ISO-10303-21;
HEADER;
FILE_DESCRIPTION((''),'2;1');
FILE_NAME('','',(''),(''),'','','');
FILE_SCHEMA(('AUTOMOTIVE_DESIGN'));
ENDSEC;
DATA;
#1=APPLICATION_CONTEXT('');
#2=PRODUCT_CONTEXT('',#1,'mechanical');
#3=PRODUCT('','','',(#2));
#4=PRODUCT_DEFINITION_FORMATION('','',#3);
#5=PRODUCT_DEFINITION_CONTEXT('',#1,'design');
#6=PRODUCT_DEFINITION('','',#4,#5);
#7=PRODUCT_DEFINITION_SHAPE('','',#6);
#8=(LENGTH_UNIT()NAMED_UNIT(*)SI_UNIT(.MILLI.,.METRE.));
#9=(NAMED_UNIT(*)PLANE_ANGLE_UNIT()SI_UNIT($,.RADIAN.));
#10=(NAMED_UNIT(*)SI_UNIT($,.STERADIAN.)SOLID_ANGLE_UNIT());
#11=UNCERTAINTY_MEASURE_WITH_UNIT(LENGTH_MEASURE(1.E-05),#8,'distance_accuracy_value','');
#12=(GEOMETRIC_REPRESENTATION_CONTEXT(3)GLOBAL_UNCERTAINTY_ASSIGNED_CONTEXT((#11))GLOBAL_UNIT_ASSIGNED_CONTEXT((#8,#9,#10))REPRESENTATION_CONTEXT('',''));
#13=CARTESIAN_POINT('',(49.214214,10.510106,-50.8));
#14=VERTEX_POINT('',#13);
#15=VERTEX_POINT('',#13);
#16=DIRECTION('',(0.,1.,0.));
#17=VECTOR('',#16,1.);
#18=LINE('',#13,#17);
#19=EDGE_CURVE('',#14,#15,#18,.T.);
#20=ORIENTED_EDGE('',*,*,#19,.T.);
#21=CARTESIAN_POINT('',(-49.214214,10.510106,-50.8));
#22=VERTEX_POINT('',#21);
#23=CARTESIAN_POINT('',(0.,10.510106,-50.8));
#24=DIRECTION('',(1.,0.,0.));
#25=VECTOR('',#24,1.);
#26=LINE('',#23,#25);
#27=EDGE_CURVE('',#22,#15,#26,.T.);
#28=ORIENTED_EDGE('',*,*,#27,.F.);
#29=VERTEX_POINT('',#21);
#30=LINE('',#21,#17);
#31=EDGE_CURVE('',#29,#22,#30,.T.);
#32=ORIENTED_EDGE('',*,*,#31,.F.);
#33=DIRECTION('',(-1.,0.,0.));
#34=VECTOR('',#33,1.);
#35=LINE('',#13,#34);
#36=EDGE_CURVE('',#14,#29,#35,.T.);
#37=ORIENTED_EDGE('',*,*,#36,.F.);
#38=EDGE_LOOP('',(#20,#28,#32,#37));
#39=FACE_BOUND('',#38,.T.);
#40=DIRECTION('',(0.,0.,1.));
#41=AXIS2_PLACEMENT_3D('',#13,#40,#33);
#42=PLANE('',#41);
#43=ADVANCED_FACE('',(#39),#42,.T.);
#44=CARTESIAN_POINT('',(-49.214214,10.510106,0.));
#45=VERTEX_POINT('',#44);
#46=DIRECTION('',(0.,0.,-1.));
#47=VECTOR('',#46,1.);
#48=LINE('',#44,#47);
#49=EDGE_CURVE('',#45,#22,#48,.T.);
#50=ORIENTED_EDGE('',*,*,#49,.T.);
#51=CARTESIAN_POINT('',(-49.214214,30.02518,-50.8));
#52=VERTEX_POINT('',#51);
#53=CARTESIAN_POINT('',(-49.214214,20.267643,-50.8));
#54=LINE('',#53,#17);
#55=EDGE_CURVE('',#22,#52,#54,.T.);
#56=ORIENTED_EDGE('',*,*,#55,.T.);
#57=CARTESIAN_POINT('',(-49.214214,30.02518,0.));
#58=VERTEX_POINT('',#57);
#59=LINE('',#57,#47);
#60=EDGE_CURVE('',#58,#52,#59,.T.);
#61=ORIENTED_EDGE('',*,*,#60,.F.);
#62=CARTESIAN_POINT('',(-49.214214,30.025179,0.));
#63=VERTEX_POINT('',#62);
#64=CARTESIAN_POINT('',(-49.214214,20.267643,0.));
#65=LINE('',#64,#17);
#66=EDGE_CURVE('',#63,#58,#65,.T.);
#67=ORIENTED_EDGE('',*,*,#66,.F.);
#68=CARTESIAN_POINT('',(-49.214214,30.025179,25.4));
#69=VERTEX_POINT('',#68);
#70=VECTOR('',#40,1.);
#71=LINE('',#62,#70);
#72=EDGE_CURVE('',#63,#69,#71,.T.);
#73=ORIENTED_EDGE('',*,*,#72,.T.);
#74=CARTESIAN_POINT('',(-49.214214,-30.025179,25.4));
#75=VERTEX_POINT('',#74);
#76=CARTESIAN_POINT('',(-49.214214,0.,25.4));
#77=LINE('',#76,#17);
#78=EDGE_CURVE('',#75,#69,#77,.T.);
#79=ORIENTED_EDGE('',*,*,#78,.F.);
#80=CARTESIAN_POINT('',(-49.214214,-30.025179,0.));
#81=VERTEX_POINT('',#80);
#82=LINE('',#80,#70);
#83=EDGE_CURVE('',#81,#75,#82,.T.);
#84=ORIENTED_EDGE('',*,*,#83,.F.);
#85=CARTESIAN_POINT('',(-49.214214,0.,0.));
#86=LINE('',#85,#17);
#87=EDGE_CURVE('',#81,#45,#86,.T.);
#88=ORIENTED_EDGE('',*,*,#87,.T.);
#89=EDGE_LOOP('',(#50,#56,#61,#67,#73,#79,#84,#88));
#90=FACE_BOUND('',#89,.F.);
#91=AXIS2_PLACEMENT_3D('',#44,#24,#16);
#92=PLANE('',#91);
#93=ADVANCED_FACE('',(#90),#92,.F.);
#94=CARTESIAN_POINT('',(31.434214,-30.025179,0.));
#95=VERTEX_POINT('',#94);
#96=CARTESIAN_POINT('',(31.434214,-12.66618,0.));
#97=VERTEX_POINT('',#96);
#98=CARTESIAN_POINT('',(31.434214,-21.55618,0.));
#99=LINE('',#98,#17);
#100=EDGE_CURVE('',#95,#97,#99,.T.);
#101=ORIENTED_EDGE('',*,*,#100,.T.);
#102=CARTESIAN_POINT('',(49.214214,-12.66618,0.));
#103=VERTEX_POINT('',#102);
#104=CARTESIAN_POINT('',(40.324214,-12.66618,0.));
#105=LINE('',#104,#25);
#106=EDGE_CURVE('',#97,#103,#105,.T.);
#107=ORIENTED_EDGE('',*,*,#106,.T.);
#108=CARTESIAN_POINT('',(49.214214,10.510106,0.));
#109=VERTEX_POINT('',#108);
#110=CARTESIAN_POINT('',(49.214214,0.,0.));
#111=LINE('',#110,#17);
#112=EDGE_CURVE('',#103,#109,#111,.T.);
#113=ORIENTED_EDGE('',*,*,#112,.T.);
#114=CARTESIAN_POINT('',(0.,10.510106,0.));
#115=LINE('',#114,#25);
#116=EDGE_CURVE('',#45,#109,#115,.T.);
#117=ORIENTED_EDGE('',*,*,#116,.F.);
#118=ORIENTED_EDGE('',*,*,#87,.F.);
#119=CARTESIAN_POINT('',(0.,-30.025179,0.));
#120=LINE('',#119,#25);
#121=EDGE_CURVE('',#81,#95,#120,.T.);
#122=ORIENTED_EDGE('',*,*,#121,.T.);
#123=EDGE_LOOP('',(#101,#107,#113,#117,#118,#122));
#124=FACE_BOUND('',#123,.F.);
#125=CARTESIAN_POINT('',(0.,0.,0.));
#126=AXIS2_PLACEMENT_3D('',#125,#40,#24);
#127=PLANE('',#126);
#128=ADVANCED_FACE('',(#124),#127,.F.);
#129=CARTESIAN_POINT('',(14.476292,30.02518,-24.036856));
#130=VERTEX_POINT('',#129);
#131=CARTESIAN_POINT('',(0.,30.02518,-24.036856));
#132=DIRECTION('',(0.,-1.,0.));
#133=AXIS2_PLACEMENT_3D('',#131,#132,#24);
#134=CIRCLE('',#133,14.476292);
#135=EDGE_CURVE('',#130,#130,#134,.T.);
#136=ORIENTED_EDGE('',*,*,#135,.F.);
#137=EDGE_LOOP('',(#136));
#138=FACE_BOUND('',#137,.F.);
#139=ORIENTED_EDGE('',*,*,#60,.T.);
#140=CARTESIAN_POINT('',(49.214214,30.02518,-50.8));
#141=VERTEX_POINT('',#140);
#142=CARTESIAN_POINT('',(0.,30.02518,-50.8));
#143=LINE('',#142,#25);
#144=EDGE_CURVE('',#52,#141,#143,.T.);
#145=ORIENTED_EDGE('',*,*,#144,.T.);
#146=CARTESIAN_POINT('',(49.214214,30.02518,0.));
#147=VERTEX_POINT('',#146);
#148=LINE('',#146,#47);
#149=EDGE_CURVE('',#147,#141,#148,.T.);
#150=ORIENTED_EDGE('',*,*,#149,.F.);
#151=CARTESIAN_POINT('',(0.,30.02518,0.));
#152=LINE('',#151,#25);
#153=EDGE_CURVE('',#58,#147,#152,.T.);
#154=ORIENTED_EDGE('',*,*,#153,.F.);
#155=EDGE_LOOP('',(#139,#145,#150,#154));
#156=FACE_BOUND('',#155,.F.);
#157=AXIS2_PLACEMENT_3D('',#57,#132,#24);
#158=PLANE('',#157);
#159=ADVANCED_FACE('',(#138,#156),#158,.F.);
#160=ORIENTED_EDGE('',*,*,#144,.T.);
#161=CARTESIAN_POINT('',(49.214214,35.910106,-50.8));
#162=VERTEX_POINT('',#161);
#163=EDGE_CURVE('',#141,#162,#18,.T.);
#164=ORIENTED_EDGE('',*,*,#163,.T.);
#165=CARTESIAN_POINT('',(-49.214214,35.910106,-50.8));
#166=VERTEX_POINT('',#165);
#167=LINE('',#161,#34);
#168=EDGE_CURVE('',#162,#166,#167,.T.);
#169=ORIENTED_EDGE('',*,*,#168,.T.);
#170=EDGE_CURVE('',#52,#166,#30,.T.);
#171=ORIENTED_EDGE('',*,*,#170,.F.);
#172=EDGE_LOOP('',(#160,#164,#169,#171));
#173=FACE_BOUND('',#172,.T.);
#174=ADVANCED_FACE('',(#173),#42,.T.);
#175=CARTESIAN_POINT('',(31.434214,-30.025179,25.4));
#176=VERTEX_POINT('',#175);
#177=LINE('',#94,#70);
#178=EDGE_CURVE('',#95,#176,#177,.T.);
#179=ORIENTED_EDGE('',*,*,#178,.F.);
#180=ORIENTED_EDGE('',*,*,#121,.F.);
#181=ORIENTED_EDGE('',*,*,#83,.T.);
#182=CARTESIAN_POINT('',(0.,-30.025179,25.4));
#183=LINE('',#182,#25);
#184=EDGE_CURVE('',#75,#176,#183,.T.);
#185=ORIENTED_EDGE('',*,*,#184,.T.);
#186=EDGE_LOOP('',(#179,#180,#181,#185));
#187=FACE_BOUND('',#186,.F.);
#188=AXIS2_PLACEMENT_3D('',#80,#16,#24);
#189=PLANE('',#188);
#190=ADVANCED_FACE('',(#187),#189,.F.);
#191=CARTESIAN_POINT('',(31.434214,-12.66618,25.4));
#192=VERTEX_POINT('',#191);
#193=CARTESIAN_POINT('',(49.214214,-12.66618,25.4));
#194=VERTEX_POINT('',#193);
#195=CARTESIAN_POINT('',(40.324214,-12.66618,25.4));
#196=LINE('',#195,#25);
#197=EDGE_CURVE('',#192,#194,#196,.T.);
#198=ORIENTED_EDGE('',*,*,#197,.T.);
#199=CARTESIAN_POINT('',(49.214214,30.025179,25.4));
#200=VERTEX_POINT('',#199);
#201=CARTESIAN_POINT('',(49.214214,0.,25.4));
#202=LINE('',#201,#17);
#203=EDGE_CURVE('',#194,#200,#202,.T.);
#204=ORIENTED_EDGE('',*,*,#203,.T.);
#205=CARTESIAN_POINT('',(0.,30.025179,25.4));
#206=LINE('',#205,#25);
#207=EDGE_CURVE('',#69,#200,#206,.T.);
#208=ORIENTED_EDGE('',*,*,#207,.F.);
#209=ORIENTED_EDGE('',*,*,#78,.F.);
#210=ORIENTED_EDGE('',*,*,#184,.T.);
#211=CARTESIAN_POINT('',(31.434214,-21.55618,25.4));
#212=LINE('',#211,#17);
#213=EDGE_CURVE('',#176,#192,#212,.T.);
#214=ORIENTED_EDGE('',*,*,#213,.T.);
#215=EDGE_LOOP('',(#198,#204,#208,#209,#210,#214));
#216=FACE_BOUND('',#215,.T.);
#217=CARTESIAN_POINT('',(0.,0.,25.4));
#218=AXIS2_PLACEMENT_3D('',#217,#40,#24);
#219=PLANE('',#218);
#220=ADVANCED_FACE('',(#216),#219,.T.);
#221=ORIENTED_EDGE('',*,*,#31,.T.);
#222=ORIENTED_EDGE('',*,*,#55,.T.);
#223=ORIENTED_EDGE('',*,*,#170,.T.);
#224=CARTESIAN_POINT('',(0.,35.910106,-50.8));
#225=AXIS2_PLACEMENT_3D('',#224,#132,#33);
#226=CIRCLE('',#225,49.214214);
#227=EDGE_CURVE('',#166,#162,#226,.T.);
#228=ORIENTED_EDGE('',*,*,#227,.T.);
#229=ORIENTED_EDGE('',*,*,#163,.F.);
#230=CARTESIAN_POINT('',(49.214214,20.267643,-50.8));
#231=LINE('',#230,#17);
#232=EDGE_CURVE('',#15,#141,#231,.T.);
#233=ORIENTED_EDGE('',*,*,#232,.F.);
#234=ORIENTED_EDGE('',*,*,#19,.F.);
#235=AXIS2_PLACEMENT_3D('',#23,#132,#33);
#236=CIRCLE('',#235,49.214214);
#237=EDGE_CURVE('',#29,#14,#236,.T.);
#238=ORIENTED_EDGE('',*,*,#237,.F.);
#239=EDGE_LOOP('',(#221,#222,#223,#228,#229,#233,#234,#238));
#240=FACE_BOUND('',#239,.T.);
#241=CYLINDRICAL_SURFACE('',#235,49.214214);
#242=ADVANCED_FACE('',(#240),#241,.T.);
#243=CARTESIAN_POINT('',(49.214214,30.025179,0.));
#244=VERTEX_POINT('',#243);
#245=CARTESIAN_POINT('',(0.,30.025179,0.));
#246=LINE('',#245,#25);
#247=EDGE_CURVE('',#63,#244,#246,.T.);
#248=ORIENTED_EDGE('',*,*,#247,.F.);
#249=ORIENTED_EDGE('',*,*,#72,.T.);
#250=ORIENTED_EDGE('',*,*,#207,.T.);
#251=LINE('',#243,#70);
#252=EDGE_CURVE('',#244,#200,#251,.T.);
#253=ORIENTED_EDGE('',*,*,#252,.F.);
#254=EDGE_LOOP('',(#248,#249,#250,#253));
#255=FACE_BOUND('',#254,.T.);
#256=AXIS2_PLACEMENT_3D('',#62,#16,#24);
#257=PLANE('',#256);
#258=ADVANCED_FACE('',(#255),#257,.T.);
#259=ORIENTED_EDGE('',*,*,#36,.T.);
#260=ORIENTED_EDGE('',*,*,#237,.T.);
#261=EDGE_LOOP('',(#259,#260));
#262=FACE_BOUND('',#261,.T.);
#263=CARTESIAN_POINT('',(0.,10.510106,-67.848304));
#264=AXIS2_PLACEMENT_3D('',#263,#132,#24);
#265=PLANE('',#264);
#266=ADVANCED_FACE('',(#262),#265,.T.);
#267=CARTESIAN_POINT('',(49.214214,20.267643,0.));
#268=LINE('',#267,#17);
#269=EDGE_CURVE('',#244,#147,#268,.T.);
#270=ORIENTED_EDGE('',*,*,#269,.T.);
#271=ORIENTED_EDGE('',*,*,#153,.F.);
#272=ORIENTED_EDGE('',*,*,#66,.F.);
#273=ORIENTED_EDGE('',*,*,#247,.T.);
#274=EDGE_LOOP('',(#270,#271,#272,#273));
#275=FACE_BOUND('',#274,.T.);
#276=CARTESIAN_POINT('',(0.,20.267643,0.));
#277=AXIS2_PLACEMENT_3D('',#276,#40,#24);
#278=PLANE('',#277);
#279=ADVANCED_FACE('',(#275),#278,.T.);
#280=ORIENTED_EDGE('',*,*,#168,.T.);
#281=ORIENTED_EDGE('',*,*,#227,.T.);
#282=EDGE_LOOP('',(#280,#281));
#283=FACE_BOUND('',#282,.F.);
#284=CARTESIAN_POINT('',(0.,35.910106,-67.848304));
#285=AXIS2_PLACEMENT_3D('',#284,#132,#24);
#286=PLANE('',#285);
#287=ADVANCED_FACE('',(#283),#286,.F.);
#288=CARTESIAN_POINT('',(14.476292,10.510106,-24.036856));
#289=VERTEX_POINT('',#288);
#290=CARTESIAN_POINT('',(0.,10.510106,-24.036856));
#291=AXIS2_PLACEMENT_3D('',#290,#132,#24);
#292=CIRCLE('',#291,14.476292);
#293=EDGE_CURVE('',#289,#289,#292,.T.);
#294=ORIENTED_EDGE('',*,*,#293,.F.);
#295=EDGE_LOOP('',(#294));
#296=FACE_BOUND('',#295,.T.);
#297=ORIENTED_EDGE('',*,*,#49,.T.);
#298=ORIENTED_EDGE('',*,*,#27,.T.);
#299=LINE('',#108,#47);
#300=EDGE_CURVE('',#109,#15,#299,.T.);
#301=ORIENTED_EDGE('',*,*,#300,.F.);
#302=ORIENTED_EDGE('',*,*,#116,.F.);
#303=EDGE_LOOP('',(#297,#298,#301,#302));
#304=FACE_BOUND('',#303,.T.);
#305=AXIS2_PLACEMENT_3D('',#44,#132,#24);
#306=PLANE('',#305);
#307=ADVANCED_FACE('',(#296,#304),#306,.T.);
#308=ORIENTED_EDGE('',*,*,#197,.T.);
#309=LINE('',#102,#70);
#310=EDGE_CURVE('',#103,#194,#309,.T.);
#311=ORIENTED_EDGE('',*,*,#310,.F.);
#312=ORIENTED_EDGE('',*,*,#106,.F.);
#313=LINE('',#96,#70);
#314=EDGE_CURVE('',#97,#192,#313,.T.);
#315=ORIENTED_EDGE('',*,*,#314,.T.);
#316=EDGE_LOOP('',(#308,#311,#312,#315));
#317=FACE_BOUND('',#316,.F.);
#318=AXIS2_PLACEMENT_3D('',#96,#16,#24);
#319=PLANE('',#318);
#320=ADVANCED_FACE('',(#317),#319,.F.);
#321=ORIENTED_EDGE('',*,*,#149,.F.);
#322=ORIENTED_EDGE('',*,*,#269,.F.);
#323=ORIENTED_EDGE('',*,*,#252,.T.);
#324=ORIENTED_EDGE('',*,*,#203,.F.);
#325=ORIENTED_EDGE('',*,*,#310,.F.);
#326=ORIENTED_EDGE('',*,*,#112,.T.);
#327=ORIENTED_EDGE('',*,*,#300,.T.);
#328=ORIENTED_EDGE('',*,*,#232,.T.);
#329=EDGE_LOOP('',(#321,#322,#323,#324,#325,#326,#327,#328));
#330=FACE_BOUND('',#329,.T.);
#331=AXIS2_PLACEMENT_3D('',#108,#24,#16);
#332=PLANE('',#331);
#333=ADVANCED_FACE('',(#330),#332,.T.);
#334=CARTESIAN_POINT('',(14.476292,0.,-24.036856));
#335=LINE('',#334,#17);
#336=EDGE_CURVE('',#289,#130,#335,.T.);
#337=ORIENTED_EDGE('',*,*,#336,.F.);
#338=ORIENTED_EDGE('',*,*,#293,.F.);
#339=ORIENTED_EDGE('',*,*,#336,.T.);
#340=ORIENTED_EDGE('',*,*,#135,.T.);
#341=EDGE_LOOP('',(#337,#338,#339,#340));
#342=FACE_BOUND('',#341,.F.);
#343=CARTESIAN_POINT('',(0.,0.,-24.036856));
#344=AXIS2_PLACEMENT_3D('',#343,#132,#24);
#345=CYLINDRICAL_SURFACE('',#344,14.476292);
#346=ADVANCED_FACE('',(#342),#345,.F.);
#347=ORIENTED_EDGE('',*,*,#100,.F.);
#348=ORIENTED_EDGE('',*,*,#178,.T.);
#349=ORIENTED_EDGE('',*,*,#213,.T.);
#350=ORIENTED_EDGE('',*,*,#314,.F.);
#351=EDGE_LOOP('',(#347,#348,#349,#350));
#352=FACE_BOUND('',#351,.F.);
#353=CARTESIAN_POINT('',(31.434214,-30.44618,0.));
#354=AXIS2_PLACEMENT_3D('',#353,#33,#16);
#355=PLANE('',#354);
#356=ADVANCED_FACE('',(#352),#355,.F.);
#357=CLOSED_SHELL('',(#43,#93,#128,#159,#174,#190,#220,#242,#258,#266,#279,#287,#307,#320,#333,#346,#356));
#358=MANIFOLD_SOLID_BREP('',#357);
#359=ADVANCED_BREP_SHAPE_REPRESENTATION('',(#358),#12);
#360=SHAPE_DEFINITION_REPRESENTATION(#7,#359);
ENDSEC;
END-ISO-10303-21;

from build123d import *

# Parameters (mm, degrees)
F0_W     = 98.428428
F0_H     = 60.050358
F1_DEPTH = 25.4
F2_W     = 17.78
F2_H     = 17.78
F3_DEPTH = 25.4
F4_W     = 98.428428
F4_H     = 19.515073
F5_DEPTH = 50.8
F6_R     = 14.476292
F7_DEPTH = 50.8
F9_DEPTH = 25.4


with BuildPart() as f1:
    # F0 (on Top) → F1 (new body)
    with BuildSketch(Plane.XY):
        Rectangle(F0_W, F0_H)
    extrude(amount=F1_DEPTH)

    # F2 (on Top) → F3 (cut)
    with BuildSketch(Plane.XY):
        with Locations((40.324214, -21.55618)):
            Rectangle(F2_W, F2_H)
    extrude(amount=F3_DEPTH, mode=Mode.SUBTRACT)

    # F4 (on Top) → F5 (join)
    with BuildSketch(Plane.XY):
        with Locations((0, 20.267643)):
            Rectangle(F4_W, F4_H)
    extrude(amount=-F5_DEPTH)

    # F6 (on Front) → F7 (cut)
    with BuildSketch(Plane.XZ):
        with Locations((0, -24.036856)):
            Circle(F6_R)
    extrude(amount=-F7_DEPTH, mode=Mode.SUBTRACT)

    # F8 (on face) → F9 (join)
    with BuildSketch(Plane.XZ.offset(-10.510106)):
        with BuildLine():
            ThreePointArc((-49.214214, -50.8), (0, -100.014214), (49.214214, -50.8))
            Line((49.214214, -50.8), (-49.214214, -50.8))
        make_face()
    extrude(amount=-F9_DEPTH)


solid = f1.part
